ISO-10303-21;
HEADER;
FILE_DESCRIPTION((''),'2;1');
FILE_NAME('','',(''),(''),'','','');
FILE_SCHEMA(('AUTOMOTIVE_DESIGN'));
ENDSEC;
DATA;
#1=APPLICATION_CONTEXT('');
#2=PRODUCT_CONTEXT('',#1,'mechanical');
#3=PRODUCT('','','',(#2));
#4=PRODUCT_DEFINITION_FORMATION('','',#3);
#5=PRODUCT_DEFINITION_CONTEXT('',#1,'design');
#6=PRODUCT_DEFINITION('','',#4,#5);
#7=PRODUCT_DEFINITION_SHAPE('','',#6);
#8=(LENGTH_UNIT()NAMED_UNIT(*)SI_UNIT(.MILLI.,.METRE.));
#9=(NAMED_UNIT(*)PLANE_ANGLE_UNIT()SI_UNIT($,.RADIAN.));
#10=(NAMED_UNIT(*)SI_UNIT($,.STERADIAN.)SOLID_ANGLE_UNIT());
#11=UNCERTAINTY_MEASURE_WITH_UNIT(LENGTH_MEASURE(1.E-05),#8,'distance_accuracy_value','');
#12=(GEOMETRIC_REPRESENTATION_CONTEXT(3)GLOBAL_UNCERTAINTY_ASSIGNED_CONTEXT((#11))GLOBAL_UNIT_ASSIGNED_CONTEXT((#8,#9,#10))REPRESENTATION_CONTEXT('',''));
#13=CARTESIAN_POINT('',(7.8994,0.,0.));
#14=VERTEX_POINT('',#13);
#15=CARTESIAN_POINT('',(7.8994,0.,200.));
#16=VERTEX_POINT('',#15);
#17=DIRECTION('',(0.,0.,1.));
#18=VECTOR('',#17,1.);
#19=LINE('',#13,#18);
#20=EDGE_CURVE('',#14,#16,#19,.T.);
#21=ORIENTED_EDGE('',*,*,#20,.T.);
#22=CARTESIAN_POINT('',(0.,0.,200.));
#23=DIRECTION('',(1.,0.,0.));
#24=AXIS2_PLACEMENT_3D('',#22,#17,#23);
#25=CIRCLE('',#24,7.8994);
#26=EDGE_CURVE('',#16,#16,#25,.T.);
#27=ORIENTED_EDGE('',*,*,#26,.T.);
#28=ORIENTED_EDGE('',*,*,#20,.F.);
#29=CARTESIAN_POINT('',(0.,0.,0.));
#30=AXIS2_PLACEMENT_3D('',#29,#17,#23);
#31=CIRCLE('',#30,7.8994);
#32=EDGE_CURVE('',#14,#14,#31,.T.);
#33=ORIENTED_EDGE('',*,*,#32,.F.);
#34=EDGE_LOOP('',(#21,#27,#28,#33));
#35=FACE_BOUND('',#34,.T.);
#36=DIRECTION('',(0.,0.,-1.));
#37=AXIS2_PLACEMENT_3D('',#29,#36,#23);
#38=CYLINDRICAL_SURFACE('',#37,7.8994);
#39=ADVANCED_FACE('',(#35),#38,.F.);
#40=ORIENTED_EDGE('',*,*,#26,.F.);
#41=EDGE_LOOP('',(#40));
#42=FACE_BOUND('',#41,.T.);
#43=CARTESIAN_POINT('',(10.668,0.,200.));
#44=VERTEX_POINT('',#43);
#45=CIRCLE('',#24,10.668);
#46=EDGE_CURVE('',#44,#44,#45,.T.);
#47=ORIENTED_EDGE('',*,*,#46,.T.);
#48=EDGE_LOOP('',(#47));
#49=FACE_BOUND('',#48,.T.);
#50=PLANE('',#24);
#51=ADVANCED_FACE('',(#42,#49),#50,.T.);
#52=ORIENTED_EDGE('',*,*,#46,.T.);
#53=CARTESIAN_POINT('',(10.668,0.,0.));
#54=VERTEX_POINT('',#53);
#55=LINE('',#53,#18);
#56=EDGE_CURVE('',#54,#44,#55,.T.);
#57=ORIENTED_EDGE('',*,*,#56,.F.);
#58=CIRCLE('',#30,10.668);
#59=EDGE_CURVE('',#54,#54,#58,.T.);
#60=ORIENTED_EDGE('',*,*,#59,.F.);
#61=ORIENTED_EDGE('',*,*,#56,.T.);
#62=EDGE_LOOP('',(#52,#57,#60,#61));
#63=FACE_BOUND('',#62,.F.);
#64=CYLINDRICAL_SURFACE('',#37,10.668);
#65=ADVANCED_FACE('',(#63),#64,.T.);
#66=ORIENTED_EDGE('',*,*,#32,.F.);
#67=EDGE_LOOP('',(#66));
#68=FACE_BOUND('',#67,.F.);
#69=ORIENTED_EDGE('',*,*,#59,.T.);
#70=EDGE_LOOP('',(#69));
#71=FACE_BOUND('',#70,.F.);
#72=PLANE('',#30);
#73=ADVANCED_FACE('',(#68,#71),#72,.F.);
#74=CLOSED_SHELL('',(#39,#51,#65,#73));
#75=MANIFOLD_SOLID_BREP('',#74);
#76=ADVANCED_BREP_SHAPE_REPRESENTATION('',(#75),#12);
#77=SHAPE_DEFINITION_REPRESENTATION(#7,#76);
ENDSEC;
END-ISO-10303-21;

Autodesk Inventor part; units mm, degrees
ref_plane "YZ Plane" through (0, 0, 0) normal (1, 0, 0) x (0, 1, 0)
ref_plane "Start Plane" through (0, 0, 0) normal (0, 0, 1) x (1, 0, 0)
ref_plane "End Plane" through (0, 0, 200) normal (0, 0, 1) x (1, 0, 0)
sketch "Sketch" plane through (0, 0, 0) normal (0, 0, 1) x (1, 0, 0)
  circle A0 centre (0, 0) radius 7.8994
  circle A1 centre (0, 0) radius 10.668
  dimension "d0" = 21.336
  dimension "d1" = 2.7686
extrude "Body" add sketch "Sketch" along normal up to surface (200 mm away) from surface at 0
sketch "Sketch3" plane through (0, 0, 0) normal (0, 0, 1) x (1, 0, 0)
  line L0 (0, 0) -> (10, 0)
ref_plane "Work Plane3" through (0, 0, 0) normal (0, -1, 0) x (1, 0, 0)
sketch "Sketch4" plane through (0, 0, 0) normal (0, -1, 0) x (1, 0, 0)
  line L0 (-2, 0) -> (12, 0) projected
  line L1 (-2, 200) -> (12, 200) projected
  dimension "d7" = 200
equation "\"d0\" = G_H"
equation "\"d1\" = G_T"
equation "\"d2\" = G_L"
equation "\"G_H\" = 21.336"
equation "\"G_T\" = 2.7686"
equation "\"G_L\" = d7"
equation "\"G_OFFSET_START\" = 0"
equation "\"G_OFFSET_END\" = 0"
equation "\"d5\" = G_OFFSET_END + B_L"
equation "\"B_L\" = 200"
properties part number "ANSI - 1/2 x 0.109 - 7.874" material "Steel, Mild"
